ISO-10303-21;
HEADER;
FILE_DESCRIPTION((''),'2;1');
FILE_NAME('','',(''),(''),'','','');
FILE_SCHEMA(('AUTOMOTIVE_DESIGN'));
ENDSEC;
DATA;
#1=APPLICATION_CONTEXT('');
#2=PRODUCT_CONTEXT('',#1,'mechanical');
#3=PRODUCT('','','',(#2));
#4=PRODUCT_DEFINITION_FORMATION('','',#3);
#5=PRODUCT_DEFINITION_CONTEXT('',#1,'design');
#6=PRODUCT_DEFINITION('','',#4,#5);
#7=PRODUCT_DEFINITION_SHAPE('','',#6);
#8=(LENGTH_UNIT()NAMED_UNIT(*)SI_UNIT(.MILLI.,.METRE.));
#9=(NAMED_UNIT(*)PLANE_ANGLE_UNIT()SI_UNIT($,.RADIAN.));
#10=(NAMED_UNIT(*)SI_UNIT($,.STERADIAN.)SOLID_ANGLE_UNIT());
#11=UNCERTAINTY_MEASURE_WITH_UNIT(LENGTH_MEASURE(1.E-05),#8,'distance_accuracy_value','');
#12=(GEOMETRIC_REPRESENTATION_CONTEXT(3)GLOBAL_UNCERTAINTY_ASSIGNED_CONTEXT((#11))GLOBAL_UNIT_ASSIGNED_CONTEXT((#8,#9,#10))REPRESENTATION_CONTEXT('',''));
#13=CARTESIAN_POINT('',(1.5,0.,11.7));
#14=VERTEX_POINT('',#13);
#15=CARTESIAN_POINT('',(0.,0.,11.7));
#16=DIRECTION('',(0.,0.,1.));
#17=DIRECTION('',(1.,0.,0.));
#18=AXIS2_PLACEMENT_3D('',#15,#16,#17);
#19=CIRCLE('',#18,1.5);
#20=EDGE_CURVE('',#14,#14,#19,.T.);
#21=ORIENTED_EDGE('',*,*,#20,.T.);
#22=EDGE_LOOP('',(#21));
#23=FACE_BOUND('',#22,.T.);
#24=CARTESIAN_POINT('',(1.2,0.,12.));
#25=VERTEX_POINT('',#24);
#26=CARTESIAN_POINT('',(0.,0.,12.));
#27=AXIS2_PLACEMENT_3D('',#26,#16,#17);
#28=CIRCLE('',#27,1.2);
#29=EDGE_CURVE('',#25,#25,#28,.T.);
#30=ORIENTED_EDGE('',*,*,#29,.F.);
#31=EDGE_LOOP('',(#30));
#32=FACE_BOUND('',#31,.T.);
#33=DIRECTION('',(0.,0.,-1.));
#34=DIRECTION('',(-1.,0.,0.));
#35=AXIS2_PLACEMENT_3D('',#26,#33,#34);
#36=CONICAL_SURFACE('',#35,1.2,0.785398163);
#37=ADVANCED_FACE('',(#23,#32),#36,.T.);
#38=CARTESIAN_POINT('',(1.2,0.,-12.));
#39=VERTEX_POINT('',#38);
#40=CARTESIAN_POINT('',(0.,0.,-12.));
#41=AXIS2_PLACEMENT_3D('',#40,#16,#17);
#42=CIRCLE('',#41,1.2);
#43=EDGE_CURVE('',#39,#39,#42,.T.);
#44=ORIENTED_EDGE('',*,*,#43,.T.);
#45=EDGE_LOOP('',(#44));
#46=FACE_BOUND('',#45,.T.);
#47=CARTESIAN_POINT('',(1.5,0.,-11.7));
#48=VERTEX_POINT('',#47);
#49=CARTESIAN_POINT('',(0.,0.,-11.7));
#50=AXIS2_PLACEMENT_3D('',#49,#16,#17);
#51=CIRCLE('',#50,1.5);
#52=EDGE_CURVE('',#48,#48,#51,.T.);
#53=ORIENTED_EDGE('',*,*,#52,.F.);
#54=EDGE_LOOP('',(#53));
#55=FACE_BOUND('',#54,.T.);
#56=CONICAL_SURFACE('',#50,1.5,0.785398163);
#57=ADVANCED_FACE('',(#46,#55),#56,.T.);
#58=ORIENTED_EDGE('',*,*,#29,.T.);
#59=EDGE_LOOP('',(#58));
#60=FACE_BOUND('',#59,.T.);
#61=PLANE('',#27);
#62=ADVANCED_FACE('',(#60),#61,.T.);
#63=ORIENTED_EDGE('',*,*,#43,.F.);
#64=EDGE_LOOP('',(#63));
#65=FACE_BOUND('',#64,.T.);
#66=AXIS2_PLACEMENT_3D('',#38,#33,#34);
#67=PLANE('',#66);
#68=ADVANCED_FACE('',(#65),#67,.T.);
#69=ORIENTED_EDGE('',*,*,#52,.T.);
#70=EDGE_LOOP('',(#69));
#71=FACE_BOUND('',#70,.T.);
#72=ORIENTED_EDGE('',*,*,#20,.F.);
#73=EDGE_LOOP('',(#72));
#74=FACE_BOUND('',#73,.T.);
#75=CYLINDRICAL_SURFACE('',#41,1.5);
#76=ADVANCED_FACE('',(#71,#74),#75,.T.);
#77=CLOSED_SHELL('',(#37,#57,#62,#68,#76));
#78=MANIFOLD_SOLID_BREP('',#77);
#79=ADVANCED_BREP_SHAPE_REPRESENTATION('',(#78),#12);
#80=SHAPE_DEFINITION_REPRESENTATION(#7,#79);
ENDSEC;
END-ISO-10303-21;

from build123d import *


with BuildPart() as part:
    # Sketch1 → Revolve1 (revolve)
    with BuildSketch(Plane(origin=(0, 0, 0), x_dir=(1, 0, 0), z_dir=(0, 1, 0))):
        Polygon((1.2, 12), (0, 12), (0, -12), (1.2, -12), (1.5, -11.7), (1.5, 11.7), align=None)
    revolve(axis=Axis((0, 0, -12), (0, 0, 1)))


solid = part.part
